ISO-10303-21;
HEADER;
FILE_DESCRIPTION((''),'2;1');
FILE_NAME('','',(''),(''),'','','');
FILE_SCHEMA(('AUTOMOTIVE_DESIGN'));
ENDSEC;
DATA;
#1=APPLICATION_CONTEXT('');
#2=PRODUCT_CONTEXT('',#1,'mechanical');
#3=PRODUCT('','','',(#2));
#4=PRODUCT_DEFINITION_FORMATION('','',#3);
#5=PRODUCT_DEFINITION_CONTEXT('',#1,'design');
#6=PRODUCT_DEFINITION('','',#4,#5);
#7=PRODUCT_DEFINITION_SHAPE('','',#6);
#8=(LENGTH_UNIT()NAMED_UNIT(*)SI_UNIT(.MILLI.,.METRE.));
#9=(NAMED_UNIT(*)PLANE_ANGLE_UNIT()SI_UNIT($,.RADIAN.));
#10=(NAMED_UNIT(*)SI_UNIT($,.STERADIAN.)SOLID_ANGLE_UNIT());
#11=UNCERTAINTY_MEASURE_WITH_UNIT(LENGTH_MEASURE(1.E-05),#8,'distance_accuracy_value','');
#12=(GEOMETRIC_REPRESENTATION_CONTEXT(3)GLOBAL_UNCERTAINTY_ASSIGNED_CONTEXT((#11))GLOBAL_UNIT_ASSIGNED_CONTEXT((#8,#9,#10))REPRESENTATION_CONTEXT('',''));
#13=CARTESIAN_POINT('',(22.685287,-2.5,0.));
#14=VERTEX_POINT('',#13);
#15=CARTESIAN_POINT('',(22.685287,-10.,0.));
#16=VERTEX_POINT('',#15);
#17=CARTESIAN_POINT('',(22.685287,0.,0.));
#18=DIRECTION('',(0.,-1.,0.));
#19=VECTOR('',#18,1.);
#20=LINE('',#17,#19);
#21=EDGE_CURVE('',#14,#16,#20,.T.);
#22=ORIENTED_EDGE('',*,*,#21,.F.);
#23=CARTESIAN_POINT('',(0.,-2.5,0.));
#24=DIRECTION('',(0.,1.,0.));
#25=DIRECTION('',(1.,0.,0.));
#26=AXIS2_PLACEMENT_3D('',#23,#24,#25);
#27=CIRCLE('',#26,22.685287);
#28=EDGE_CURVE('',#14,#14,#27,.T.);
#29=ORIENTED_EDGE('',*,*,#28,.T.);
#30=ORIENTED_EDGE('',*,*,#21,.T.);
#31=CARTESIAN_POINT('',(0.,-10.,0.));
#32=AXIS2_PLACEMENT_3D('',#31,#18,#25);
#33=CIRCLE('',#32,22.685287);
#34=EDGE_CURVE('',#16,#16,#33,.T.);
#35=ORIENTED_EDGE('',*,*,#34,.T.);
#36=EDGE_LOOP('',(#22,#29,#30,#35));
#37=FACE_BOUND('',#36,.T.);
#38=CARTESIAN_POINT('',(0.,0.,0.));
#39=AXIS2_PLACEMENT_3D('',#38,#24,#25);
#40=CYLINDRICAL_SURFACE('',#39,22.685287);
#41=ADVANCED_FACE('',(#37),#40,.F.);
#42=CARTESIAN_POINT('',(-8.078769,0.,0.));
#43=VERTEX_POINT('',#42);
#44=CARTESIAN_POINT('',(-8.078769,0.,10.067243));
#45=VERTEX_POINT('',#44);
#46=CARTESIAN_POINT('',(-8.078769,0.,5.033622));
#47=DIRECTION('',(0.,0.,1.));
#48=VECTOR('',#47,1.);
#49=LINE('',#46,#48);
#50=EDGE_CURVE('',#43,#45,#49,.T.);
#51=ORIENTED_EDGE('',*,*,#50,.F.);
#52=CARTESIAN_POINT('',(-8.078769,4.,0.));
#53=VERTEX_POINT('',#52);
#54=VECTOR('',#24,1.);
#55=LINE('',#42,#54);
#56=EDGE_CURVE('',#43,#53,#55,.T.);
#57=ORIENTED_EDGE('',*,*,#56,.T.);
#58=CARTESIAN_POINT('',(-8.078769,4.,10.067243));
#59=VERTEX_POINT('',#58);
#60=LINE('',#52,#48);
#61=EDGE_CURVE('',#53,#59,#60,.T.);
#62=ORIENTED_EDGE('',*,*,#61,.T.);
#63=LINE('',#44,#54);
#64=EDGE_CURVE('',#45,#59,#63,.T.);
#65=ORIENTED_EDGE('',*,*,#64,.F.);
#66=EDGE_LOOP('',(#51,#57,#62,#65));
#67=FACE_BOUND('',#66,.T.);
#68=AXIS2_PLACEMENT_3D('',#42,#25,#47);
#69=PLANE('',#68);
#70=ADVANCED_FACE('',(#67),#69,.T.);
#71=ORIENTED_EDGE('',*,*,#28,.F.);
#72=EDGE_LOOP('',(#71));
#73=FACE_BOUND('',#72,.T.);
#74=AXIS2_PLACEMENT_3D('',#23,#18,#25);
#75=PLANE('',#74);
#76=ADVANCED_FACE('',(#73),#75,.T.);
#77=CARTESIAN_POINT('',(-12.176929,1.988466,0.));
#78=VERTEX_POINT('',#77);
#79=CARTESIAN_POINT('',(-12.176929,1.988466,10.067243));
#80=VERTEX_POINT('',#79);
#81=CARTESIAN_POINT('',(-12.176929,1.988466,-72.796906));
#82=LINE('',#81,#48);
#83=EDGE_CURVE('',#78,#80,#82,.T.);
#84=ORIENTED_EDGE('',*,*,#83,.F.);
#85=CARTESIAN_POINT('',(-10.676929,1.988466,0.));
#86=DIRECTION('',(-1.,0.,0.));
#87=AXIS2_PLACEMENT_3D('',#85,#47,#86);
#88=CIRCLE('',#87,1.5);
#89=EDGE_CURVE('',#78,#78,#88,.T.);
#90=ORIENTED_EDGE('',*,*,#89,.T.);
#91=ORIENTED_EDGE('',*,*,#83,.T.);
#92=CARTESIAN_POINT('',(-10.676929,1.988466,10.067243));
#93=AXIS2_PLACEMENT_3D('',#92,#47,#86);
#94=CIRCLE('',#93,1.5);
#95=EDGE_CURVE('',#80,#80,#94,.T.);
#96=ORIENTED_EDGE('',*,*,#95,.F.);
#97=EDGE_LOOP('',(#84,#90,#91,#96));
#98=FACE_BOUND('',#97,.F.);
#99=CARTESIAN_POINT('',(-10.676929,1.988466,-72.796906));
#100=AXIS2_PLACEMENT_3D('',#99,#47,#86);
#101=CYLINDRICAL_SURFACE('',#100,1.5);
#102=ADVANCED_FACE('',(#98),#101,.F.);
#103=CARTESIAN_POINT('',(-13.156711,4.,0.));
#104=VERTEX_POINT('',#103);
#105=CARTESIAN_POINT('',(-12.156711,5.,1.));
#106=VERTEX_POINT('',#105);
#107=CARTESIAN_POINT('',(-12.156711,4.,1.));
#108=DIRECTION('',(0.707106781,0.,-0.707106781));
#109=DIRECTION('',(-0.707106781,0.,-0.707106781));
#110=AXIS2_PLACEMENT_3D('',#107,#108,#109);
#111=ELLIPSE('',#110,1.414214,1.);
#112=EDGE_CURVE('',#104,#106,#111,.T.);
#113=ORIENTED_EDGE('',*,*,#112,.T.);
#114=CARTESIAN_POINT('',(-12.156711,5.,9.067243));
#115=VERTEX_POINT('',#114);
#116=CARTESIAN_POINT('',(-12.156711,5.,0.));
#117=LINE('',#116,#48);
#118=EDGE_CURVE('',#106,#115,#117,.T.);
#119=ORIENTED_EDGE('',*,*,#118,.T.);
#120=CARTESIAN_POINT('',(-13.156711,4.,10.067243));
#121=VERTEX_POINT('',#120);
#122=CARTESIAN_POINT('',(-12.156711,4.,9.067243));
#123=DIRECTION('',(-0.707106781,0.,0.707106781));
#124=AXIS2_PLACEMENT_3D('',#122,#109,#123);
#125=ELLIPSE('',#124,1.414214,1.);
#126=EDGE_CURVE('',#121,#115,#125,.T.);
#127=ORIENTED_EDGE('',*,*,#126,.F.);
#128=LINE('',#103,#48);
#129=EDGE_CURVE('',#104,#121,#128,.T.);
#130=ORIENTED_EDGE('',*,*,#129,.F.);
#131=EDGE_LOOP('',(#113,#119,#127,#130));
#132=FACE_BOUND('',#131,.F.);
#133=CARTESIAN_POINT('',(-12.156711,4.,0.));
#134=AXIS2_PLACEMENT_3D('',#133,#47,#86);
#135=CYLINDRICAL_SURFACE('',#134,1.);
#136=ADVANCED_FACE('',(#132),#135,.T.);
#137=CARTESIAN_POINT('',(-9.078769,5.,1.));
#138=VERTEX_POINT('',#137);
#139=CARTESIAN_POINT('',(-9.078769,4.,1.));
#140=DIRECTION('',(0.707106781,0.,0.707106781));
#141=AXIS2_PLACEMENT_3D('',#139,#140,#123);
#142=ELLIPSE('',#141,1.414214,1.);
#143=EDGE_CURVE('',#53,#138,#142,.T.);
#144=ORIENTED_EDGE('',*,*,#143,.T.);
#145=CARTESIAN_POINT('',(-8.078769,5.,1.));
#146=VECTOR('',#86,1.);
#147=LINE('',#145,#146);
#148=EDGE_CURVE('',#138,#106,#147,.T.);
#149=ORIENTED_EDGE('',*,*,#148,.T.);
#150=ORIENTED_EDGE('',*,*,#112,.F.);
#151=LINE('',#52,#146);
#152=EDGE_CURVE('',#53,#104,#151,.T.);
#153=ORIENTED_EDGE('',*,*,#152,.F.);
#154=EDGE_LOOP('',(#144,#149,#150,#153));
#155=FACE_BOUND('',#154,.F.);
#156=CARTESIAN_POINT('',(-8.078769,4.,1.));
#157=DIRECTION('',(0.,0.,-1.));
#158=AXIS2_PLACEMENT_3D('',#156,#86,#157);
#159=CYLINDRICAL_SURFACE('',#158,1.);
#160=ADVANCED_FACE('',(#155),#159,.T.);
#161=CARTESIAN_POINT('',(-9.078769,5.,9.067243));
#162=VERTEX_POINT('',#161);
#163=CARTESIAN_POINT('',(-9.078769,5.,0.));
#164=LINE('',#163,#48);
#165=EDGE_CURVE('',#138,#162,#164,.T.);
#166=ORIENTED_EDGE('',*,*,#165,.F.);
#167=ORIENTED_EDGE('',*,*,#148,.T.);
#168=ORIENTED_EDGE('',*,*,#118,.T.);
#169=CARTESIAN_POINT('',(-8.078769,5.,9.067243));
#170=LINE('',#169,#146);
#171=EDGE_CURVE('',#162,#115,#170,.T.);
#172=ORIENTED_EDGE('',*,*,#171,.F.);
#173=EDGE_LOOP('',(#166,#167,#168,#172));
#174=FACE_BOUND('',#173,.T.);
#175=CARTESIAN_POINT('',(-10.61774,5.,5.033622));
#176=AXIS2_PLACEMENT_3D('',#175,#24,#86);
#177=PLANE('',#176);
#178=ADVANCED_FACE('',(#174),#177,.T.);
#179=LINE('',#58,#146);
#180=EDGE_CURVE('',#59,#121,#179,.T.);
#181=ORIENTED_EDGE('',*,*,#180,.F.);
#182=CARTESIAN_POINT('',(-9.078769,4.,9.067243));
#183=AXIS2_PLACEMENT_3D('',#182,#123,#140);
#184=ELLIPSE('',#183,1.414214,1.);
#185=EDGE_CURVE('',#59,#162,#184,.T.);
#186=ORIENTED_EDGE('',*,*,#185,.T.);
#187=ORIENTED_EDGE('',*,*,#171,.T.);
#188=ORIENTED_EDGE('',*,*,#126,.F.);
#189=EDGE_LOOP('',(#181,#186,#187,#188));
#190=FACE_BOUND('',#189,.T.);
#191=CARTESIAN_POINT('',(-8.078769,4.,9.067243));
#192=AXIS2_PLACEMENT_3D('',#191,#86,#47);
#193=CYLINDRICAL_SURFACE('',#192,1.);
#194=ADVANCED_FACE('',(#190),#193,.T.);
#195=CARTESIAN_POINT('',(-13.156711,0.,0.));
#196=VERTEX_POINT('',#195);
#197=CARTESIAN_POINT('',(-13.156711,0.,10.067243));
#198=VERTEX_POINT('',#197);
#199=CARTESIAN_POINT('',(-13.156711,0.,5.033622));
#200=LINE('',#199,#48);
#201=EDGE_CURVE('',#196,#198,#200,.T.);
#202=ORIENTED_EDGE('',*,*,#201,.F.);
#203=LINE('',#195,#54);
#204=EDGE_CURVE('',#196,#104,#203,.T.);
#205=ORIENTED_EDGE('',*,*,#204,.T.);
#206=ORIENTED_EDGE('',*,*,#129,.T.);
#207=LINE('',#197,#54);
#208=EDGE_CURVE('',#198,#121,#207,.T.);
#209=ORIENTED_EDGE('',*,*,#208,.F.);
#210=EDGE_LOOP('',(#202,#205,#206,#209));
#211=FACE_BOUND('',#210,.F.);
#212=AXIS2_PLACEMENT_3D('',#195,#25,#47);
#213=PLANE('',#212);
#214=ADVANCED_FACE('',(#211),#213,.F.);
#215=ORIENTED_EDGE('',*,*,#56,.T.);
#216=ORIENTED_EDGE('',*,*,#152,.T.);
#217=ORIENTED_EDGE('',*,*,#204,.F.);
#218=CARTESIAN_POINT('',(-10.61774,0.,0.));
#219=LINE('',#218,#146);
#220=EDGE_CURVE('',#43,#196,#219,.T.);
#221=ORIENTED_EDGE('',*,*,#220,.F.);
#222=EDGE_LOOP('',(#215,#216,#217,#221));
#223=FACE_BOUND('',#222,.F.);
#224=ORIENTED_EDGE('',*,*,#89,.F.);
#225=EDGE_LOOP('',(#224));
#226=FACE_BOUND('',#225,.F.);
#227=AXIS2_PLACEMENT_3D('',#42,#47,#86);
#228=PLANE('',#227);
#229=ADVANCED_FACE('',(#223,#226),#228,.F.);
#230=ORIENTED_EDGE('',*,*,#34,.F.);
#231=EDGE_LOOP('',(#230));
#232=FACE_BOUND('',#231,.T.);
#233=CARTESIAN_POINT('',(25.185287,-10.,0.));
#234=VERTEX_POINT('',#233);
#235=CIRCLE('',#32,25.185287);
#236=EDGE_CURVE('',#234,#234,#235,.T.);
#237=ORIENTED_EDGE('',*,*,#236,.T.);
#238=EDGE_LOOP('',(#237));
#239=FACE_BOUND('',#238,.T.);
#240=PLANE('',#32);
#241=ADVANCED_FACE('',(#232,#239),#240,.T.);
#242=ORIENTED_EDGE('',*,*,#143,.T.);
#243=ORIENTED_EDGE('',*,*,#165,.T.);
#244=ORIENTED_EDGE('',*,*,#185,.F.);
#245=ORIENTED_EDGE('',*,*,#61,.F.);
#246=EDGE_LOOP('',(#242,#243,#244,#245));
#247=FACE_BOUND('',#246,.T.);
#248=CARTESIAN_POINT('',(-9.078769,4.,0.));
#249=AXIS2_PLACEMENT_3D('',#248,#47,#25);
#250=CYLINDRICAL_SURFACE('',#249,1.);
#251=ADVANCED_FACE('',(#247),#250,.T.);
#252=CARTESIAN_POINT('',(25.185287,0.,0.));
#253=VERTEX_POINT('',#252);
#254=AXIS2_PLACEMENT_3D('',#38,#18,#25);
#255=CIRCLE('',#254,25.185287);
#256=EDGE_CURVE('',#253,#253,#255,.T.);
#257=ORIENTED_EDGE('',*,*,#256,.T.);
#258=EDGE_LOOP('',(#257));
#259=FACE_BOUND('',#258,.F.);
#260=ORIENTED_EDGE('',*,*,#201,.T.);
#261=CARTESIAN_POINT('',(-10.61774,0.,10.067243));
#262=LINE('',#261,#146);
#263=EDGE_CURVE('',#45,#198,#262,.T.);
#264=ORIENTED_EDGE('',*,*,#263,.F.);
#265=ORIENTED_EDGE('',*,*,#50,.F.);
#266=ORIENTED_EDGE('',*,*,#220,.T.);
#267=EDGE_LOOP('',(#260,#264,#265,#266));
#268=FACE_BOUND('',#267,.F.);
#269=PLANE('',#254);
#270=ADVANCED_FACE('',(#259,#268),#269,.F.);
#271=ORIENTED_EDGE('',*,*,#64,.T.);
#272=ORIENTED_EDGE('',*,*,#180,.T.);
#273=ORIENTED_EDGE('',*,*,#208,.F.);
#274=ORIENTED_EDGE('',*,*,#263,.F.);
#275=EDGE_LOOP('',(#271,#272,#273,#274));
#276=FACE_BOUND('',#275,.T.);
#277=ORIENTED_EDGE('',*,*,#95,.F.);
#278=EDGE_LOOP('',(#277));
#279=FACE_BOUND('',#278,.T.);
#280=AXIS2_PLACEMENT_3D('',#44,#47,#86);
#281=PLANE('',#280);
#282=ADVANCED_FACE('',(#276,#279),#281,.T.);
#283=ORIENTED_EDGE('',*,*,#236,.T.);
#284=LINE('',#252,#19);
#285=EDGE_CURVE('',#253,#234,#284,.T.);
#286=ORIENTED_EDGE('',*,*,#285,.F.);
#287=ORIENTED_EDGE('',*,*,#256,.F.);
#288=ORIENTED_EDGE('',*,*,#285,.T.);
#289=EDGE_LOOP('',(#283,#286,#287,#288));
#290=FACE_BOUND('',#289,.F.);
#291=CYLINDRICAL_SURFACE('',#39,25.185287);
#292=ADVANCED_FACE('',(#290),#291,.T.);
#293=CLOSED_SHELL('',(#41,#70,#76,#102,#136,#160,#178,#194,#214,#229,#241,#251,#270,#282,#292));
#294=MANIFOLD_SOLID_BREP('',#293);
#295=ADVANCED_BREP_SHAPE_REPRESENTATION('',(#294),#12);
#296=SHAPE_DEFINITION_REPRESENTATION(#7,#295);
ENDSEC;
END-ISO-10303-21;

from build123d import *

# Parameters (mm, degrees)
F0_R     = 25.1852873168
F1_DEPTH = 10
F2_T     = -2.5
F3_W     = 5.0779422745
F3_H     = 10.067243129
F4_DEPTH = 5
F5_R     = 1
F7_D     = 3


with BuildPart() as f1:
    # F0 (on Front) → F1 (new body)
    with BuildSketch(Plane.XZ):
        Circle(F0_R)
    extrude(amount=F1_DEPTH)

    # F2
    f2_openings = [f1.faces().sort_by_distance(p)[0] for p in [
        (0, -10, 0),
    ]]
    offset(amount=F2_T, openings=f2_openings)

    # F3 (on face) → F4 (join)
    with BuildSketch(Plane(origin=(0, 0, 0), x_dir=(-1, 0, 0), z_dir=(0, 1, 0))):
        with Locations((10.6177399866, 5.0336215645)):
            Rectangle(F3_W, F3_H)
    extrude(amount=F4_DEPTH)

    # F5
    f5_edges = [f1.edges().sort_by_distance(p)[0] for p in [
        (-8.078769, 5, 5.033622),
        (-10.61774, 5, 0),
        (-13.156711, 5, 5.033622),
        (-10.61774, 5, 10.067243),
    ]]
    fillet(f5_edges, radius=F5_R)

    # F7 (through all)
    with Locations(Plane(origin=(0, 0, 0), x_dir=(1, 0, 0), z_dir=(0, 0, -1))):
        with Locations((-10.6769287959, -1.9884661306)):
            Hole(F7_D / 2)


solid = f1.part
